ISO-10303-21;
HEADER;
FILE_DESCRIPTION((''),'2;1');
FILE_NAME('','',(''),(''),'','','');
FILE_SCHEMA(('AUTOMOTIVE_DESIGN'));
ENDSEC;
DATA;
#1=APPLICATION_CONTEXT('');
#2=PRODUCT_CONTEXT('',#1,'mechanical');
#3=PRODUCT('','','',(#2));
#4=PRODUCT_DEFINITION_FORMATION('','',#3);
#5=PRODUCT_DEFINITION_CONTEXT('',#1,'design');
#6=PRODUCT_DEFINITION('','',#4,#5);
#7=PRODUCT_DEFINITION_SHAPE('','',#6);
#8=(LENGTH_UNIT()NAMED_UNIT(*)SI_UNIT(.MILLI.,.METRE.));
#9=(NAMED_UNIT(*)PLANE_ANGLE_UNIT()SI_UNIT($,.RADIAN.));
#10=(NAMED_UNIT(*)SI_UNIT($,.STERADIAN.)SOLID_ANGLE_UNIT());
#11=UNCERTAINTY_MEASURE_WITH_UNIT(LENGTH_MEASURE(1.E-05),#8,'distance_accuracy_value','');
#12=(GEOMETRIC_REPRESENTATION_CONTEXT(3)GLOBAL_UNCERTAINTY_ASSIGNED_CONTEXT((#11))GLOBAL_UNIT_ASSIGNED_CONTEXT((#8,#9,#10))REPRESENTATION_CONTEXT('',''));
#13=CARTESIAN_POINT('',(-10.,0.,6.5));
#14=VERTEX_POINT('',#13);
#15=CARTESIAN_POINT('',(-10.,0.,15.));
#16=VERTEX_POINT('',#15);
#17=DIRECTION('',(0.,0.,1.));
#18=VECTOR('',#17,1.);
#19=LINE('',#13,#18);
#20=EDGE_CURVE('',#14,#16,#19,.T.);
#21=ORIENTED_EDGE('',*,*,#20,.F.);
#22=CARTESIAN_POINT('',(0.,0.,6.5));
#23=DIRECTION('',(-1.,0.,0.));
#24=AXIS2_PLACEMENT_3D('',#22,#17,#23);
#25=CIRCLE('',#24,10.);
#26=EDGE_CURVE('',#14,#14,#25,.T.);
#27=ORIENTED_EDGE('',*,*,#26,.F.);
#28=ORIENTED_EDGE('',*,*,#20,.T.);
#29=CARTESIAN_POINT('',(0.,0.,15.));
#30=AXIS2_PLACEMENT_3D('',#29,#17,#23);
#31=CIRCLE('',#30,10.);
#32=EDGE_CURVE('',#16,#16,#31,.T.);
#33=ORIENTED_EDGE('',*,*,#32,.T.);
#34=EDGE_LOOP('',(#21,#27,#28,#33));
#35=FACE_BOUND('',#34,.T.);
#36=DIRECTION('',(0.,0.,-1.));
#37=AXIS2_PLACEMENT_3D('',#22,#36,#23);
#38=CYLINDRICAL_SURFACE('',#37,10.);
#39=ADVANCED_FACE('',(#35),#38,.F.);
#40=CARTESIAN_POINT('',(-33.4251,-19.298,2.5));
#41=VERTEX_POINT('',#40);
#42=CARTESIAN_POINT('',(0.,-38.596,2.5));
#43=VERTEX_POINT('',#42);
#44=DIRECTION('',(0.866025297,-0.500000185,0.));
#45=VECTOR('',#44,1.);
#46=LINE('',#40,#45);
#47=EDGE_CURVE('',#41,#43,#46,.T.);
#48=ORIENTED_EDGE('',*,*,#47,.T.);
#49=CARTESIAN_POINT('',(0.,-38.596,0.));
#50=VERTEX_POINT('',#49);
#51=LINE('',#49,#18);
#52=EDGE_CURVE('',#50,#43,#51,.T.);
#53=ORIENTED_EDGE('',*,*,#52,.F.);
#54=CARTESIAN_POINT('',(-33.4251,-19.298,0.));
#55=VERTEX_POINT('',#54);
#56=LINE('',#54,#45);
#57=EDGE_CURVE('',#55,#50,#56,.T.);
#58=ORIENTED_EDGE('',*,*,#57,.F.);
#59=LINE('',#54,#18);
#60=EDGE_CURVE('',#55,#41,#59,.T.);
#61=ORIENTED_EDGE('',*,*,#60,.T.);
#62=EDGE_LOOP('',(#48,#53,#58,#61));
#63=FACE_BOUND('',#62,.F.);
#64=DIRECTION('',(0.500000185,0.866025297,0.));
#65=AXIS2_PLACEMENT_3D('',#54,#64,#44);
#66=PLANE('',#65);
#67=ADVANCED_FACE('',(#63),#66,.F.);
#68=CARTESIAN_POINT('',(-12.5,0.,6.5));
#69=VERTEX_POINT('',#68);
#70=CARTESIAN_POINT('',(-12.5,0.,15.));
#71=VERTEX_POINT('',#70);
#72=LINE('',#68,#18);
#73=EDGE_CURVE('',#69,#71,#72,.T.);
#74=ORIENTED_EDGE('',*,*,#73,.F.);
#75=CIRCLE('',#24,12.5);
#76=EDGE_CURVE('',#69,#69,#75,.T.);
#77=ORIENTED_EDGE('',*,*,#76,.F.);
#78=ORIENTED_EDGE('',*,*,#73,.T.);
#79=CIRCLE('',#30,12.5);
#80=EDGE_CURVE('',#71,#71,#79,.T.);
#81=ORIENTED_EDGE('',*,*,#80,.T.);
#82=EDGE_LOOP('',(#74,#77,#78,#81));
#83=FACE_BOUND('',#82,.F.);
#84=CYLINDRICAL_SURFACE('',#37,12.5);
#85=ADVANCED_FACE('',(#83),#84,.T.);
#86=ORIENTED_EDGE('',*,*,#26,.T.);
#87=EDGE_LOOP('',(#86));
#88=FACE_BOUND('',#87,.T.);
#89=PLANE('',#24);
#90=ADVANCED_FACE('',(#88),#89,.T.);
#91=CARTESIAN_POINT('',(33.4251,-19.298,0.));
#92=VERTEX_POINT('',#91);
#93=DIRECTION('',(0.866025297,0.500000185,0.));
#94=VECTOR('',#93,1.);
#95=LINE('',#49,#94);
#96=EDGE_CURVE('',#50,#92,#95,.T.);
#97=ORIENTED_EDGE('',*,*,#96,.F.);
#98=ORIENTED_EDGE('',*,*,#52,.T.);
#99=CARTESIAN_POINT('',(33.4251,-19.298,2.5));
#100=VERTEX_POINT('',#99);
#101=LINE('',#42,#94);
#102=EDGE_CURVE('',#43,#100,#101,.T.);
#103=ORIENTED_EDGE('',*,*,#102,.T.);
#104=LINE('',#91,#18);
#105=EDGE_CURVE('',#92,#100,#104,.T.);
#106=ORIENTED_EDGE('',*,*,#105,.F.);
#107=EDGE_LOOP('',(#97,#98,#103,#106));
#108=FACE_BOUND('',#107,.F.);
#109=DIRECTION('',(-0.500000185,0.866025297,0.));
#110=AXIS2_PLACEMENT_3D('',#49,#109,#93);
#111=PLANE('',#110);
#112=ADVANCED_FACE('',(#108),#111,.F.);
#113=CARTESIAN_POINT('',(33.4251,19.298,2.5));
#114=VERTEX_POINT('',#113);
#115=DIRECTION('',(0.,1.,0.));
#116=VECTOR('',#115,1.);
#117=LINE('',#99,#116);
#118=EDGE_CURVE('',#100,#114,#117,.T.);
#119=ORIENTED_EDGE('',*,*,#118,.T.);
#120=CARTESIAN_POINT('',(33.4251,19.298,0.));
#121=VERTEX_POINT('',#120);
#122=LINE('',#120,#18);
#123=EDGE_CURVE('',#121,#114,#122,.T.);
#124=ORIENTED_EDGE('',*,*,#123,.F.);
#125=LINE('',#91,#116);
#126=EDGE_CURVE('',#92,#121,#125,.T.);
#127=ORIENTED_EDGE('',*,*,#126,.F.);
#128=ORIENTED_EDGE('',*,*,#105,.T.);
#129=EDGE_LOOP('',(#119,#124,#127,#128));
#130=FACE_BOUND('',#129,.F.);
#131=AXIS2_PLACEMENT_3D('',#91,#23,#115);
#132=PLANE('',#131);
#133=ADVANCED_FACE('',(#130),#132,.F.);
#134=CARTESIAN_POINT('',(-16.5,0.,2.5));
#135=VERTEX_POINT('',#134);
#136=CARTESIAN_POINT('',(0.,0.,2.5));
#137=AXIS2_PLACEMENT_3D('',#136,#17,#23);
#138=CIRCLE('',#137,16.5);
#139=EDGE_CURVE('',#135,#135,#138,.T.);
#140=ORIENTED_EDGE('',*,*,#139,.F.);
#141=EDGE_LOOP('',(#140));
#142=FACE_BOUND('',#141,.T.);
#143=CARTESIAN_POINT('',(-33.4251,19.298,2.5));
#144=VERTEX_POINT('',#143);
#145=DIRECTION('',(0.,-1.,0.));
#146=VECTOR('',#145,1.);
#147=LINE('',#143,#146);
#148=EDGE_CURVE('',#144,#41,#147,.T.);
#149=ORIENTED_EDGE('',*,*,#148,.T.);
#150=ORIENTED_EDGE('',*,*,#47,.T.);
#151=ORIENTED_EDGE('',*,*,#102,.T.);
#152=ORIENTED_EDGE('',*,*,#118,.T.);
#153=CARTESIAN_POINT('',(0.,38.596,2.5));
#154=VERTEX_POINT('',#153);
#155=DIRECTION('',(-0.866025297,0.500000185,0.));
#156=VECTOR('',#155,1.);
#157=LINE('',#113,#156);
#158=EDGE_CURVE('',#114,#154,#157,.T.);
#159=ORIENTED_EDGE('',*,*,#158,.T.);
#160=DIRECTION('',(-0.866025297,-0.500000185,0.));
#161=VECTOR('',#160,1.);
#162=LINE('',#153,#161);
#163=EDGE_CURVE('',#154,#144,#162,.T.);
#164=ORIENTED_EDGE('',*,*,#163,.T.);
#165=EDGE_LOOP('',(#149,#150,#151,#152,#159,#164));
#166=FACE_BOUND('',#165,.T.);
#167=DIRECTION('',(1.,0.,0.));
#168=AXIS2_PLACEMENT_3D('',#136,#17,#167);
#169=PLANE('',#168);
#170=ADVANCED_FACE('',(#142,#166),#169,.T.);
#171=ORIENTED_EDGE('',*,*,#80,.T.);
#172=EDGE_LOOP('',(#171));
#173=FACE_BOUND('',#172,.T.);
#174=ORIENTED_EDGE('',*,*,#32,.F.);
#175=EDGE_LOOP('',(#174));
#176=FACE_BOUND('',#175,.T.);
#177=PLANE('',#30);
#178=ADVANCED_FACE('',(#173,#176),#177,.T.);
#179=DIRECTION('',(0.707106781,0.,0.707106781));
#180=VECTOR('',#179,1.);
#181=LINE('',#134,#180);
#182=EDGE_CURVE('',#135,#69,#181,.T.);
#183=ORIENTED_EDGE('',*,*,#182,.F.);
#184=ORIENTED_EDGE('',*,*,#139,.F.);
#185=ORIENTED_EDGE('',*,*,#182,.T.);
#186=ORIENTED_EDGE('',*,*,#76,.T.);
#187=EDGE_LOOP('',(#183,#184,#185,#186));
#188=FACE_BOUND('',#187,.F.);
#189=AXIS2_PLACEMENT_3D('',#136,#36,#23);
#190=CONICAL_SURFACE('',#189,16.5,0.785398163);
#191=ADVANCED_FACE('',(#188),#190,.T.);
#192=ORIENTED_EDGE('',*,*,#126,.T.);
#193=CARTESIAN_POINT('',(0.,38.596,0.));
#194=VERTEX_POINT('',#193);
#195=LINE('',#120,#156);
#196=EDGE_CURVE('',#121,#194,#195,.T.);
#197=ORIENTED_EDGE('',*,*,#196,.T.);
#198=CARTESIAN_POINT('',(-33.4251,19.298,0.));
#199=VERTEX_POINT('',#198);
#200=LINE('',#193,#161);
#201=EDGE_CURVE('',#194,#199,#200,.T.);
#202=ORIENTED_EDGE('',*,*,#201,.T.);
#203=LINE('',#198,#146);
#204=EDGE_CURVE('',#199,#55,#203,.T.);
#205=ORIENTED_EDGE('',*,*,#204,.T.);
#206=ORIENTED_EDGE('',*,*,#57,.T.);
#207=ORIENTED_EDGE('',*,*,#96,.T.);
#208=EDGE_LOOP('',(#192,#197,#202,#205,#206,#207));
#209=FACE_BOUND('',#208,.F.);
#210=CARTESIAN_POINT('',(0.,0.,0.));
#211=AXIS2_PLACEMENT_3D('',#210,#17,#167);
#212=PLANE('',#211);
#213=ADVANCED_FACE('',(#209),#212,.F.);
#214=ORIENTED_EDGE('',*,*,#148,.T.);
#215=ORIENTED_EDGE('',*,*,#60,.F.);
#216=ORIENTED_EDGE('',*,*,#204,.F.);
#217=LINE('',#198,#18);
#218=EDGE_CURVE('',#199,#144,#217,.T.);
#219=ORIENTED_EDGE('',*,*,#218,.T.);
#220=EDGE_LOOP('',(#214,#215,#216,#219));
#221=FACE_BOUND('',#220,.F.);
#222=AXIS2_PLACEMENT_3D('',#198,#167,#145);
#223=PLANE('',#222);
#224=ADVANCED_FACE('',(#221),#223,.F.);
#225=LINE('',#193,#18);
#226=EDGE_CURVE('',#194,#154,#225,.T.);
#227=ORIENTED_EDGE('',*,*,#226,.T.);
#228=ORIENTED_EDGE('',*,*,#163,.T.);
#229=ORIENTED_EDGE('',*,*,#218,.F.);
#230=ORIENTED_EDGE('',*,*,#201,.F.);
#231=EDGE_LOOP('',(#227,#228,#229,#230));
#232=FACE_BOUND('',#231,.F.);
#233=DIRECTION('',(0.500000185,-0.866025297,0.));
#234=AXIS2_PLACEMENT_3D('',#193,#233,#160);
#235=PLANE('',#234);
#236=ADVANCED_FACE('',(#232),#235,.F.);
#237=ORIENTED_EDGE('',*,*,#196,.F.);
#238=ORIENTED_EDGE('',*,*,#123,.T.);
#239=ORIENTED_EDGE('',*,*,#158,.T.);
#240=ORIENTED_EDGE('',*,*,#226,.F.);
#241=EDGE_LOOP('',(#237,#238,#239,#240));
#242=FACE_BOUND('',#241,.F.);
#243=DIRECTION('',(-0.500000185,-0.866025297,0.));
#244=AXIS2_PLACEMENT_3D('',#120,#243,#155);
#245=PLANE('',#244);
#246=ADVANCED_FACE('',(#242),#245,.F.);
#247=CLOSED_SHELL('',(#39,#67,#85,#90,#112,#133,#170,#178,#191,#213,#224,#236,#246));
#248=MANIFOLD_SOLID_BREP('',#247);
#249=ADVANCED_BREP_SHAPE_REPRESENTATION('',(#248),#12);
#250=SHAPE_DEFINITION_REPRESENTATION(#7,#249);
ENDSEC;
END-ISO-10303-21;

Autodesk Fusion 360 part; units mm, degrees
sketch "Sketch1" plane through (0, 0, 0) normal (0, 0, 1) x (1, 0, 0)
  line L0 (33.4251, -19.298) -> (33.4251, 19.298)
  line L1 (33.4251, 19.298) -> (0, 38.596)
  line L2 (0, 38.596) -> (-33.4251, 19.298)
  line L3 (-33.4251, 19.298) -> (-33.4251, -19.298)
  line L4 (-33.4251, -19.298) -> (0, -38.596)
  line L5 (0, -38.596) -> (33.4251, -19.298)
  dimension "d1" = 38.596
extrude "Extrude1" add sketch "Sketch1" along normal blind 2.5
sketch "Sketch2" plane through (0, 0, 2.5) normal (0, 0, 1) x (-1, 0, 0)
  line L0 (0, 38.596) -> (-33.4251, 19.298)
  line L1 (-33.4251, 19.298) -> (-33.4251, -19.298)
  line L2 (-33.4251, -19.298) -> (0, -38.596)
  line L3 (0, -38.596) -> (33.4251, -19.298)
  line L4 (33.4251, -19.298) -> (33.4251, 19.298)
  line L5 (33.4251, 19.298) -> (0, 38.596)
  circle A0 centre (0, 0) radius 16.5
  dimension "d4" = 33
extrude "Extrude2" add sketch "Sketch2" along normal blind 4 draft -45 contours A0
sketch "Sketch3" plane through (0, 0, 6.5) normal (0, 0, 1) x (-1, 0, 0)
  circle A0 centre (0, 0) radius 12.5
  circle A1 centre (0, 0) radius 10
  dimension "d7" = 20
extrude "Extrude3" add sketch "Sketch3" along normal blind 8.5
